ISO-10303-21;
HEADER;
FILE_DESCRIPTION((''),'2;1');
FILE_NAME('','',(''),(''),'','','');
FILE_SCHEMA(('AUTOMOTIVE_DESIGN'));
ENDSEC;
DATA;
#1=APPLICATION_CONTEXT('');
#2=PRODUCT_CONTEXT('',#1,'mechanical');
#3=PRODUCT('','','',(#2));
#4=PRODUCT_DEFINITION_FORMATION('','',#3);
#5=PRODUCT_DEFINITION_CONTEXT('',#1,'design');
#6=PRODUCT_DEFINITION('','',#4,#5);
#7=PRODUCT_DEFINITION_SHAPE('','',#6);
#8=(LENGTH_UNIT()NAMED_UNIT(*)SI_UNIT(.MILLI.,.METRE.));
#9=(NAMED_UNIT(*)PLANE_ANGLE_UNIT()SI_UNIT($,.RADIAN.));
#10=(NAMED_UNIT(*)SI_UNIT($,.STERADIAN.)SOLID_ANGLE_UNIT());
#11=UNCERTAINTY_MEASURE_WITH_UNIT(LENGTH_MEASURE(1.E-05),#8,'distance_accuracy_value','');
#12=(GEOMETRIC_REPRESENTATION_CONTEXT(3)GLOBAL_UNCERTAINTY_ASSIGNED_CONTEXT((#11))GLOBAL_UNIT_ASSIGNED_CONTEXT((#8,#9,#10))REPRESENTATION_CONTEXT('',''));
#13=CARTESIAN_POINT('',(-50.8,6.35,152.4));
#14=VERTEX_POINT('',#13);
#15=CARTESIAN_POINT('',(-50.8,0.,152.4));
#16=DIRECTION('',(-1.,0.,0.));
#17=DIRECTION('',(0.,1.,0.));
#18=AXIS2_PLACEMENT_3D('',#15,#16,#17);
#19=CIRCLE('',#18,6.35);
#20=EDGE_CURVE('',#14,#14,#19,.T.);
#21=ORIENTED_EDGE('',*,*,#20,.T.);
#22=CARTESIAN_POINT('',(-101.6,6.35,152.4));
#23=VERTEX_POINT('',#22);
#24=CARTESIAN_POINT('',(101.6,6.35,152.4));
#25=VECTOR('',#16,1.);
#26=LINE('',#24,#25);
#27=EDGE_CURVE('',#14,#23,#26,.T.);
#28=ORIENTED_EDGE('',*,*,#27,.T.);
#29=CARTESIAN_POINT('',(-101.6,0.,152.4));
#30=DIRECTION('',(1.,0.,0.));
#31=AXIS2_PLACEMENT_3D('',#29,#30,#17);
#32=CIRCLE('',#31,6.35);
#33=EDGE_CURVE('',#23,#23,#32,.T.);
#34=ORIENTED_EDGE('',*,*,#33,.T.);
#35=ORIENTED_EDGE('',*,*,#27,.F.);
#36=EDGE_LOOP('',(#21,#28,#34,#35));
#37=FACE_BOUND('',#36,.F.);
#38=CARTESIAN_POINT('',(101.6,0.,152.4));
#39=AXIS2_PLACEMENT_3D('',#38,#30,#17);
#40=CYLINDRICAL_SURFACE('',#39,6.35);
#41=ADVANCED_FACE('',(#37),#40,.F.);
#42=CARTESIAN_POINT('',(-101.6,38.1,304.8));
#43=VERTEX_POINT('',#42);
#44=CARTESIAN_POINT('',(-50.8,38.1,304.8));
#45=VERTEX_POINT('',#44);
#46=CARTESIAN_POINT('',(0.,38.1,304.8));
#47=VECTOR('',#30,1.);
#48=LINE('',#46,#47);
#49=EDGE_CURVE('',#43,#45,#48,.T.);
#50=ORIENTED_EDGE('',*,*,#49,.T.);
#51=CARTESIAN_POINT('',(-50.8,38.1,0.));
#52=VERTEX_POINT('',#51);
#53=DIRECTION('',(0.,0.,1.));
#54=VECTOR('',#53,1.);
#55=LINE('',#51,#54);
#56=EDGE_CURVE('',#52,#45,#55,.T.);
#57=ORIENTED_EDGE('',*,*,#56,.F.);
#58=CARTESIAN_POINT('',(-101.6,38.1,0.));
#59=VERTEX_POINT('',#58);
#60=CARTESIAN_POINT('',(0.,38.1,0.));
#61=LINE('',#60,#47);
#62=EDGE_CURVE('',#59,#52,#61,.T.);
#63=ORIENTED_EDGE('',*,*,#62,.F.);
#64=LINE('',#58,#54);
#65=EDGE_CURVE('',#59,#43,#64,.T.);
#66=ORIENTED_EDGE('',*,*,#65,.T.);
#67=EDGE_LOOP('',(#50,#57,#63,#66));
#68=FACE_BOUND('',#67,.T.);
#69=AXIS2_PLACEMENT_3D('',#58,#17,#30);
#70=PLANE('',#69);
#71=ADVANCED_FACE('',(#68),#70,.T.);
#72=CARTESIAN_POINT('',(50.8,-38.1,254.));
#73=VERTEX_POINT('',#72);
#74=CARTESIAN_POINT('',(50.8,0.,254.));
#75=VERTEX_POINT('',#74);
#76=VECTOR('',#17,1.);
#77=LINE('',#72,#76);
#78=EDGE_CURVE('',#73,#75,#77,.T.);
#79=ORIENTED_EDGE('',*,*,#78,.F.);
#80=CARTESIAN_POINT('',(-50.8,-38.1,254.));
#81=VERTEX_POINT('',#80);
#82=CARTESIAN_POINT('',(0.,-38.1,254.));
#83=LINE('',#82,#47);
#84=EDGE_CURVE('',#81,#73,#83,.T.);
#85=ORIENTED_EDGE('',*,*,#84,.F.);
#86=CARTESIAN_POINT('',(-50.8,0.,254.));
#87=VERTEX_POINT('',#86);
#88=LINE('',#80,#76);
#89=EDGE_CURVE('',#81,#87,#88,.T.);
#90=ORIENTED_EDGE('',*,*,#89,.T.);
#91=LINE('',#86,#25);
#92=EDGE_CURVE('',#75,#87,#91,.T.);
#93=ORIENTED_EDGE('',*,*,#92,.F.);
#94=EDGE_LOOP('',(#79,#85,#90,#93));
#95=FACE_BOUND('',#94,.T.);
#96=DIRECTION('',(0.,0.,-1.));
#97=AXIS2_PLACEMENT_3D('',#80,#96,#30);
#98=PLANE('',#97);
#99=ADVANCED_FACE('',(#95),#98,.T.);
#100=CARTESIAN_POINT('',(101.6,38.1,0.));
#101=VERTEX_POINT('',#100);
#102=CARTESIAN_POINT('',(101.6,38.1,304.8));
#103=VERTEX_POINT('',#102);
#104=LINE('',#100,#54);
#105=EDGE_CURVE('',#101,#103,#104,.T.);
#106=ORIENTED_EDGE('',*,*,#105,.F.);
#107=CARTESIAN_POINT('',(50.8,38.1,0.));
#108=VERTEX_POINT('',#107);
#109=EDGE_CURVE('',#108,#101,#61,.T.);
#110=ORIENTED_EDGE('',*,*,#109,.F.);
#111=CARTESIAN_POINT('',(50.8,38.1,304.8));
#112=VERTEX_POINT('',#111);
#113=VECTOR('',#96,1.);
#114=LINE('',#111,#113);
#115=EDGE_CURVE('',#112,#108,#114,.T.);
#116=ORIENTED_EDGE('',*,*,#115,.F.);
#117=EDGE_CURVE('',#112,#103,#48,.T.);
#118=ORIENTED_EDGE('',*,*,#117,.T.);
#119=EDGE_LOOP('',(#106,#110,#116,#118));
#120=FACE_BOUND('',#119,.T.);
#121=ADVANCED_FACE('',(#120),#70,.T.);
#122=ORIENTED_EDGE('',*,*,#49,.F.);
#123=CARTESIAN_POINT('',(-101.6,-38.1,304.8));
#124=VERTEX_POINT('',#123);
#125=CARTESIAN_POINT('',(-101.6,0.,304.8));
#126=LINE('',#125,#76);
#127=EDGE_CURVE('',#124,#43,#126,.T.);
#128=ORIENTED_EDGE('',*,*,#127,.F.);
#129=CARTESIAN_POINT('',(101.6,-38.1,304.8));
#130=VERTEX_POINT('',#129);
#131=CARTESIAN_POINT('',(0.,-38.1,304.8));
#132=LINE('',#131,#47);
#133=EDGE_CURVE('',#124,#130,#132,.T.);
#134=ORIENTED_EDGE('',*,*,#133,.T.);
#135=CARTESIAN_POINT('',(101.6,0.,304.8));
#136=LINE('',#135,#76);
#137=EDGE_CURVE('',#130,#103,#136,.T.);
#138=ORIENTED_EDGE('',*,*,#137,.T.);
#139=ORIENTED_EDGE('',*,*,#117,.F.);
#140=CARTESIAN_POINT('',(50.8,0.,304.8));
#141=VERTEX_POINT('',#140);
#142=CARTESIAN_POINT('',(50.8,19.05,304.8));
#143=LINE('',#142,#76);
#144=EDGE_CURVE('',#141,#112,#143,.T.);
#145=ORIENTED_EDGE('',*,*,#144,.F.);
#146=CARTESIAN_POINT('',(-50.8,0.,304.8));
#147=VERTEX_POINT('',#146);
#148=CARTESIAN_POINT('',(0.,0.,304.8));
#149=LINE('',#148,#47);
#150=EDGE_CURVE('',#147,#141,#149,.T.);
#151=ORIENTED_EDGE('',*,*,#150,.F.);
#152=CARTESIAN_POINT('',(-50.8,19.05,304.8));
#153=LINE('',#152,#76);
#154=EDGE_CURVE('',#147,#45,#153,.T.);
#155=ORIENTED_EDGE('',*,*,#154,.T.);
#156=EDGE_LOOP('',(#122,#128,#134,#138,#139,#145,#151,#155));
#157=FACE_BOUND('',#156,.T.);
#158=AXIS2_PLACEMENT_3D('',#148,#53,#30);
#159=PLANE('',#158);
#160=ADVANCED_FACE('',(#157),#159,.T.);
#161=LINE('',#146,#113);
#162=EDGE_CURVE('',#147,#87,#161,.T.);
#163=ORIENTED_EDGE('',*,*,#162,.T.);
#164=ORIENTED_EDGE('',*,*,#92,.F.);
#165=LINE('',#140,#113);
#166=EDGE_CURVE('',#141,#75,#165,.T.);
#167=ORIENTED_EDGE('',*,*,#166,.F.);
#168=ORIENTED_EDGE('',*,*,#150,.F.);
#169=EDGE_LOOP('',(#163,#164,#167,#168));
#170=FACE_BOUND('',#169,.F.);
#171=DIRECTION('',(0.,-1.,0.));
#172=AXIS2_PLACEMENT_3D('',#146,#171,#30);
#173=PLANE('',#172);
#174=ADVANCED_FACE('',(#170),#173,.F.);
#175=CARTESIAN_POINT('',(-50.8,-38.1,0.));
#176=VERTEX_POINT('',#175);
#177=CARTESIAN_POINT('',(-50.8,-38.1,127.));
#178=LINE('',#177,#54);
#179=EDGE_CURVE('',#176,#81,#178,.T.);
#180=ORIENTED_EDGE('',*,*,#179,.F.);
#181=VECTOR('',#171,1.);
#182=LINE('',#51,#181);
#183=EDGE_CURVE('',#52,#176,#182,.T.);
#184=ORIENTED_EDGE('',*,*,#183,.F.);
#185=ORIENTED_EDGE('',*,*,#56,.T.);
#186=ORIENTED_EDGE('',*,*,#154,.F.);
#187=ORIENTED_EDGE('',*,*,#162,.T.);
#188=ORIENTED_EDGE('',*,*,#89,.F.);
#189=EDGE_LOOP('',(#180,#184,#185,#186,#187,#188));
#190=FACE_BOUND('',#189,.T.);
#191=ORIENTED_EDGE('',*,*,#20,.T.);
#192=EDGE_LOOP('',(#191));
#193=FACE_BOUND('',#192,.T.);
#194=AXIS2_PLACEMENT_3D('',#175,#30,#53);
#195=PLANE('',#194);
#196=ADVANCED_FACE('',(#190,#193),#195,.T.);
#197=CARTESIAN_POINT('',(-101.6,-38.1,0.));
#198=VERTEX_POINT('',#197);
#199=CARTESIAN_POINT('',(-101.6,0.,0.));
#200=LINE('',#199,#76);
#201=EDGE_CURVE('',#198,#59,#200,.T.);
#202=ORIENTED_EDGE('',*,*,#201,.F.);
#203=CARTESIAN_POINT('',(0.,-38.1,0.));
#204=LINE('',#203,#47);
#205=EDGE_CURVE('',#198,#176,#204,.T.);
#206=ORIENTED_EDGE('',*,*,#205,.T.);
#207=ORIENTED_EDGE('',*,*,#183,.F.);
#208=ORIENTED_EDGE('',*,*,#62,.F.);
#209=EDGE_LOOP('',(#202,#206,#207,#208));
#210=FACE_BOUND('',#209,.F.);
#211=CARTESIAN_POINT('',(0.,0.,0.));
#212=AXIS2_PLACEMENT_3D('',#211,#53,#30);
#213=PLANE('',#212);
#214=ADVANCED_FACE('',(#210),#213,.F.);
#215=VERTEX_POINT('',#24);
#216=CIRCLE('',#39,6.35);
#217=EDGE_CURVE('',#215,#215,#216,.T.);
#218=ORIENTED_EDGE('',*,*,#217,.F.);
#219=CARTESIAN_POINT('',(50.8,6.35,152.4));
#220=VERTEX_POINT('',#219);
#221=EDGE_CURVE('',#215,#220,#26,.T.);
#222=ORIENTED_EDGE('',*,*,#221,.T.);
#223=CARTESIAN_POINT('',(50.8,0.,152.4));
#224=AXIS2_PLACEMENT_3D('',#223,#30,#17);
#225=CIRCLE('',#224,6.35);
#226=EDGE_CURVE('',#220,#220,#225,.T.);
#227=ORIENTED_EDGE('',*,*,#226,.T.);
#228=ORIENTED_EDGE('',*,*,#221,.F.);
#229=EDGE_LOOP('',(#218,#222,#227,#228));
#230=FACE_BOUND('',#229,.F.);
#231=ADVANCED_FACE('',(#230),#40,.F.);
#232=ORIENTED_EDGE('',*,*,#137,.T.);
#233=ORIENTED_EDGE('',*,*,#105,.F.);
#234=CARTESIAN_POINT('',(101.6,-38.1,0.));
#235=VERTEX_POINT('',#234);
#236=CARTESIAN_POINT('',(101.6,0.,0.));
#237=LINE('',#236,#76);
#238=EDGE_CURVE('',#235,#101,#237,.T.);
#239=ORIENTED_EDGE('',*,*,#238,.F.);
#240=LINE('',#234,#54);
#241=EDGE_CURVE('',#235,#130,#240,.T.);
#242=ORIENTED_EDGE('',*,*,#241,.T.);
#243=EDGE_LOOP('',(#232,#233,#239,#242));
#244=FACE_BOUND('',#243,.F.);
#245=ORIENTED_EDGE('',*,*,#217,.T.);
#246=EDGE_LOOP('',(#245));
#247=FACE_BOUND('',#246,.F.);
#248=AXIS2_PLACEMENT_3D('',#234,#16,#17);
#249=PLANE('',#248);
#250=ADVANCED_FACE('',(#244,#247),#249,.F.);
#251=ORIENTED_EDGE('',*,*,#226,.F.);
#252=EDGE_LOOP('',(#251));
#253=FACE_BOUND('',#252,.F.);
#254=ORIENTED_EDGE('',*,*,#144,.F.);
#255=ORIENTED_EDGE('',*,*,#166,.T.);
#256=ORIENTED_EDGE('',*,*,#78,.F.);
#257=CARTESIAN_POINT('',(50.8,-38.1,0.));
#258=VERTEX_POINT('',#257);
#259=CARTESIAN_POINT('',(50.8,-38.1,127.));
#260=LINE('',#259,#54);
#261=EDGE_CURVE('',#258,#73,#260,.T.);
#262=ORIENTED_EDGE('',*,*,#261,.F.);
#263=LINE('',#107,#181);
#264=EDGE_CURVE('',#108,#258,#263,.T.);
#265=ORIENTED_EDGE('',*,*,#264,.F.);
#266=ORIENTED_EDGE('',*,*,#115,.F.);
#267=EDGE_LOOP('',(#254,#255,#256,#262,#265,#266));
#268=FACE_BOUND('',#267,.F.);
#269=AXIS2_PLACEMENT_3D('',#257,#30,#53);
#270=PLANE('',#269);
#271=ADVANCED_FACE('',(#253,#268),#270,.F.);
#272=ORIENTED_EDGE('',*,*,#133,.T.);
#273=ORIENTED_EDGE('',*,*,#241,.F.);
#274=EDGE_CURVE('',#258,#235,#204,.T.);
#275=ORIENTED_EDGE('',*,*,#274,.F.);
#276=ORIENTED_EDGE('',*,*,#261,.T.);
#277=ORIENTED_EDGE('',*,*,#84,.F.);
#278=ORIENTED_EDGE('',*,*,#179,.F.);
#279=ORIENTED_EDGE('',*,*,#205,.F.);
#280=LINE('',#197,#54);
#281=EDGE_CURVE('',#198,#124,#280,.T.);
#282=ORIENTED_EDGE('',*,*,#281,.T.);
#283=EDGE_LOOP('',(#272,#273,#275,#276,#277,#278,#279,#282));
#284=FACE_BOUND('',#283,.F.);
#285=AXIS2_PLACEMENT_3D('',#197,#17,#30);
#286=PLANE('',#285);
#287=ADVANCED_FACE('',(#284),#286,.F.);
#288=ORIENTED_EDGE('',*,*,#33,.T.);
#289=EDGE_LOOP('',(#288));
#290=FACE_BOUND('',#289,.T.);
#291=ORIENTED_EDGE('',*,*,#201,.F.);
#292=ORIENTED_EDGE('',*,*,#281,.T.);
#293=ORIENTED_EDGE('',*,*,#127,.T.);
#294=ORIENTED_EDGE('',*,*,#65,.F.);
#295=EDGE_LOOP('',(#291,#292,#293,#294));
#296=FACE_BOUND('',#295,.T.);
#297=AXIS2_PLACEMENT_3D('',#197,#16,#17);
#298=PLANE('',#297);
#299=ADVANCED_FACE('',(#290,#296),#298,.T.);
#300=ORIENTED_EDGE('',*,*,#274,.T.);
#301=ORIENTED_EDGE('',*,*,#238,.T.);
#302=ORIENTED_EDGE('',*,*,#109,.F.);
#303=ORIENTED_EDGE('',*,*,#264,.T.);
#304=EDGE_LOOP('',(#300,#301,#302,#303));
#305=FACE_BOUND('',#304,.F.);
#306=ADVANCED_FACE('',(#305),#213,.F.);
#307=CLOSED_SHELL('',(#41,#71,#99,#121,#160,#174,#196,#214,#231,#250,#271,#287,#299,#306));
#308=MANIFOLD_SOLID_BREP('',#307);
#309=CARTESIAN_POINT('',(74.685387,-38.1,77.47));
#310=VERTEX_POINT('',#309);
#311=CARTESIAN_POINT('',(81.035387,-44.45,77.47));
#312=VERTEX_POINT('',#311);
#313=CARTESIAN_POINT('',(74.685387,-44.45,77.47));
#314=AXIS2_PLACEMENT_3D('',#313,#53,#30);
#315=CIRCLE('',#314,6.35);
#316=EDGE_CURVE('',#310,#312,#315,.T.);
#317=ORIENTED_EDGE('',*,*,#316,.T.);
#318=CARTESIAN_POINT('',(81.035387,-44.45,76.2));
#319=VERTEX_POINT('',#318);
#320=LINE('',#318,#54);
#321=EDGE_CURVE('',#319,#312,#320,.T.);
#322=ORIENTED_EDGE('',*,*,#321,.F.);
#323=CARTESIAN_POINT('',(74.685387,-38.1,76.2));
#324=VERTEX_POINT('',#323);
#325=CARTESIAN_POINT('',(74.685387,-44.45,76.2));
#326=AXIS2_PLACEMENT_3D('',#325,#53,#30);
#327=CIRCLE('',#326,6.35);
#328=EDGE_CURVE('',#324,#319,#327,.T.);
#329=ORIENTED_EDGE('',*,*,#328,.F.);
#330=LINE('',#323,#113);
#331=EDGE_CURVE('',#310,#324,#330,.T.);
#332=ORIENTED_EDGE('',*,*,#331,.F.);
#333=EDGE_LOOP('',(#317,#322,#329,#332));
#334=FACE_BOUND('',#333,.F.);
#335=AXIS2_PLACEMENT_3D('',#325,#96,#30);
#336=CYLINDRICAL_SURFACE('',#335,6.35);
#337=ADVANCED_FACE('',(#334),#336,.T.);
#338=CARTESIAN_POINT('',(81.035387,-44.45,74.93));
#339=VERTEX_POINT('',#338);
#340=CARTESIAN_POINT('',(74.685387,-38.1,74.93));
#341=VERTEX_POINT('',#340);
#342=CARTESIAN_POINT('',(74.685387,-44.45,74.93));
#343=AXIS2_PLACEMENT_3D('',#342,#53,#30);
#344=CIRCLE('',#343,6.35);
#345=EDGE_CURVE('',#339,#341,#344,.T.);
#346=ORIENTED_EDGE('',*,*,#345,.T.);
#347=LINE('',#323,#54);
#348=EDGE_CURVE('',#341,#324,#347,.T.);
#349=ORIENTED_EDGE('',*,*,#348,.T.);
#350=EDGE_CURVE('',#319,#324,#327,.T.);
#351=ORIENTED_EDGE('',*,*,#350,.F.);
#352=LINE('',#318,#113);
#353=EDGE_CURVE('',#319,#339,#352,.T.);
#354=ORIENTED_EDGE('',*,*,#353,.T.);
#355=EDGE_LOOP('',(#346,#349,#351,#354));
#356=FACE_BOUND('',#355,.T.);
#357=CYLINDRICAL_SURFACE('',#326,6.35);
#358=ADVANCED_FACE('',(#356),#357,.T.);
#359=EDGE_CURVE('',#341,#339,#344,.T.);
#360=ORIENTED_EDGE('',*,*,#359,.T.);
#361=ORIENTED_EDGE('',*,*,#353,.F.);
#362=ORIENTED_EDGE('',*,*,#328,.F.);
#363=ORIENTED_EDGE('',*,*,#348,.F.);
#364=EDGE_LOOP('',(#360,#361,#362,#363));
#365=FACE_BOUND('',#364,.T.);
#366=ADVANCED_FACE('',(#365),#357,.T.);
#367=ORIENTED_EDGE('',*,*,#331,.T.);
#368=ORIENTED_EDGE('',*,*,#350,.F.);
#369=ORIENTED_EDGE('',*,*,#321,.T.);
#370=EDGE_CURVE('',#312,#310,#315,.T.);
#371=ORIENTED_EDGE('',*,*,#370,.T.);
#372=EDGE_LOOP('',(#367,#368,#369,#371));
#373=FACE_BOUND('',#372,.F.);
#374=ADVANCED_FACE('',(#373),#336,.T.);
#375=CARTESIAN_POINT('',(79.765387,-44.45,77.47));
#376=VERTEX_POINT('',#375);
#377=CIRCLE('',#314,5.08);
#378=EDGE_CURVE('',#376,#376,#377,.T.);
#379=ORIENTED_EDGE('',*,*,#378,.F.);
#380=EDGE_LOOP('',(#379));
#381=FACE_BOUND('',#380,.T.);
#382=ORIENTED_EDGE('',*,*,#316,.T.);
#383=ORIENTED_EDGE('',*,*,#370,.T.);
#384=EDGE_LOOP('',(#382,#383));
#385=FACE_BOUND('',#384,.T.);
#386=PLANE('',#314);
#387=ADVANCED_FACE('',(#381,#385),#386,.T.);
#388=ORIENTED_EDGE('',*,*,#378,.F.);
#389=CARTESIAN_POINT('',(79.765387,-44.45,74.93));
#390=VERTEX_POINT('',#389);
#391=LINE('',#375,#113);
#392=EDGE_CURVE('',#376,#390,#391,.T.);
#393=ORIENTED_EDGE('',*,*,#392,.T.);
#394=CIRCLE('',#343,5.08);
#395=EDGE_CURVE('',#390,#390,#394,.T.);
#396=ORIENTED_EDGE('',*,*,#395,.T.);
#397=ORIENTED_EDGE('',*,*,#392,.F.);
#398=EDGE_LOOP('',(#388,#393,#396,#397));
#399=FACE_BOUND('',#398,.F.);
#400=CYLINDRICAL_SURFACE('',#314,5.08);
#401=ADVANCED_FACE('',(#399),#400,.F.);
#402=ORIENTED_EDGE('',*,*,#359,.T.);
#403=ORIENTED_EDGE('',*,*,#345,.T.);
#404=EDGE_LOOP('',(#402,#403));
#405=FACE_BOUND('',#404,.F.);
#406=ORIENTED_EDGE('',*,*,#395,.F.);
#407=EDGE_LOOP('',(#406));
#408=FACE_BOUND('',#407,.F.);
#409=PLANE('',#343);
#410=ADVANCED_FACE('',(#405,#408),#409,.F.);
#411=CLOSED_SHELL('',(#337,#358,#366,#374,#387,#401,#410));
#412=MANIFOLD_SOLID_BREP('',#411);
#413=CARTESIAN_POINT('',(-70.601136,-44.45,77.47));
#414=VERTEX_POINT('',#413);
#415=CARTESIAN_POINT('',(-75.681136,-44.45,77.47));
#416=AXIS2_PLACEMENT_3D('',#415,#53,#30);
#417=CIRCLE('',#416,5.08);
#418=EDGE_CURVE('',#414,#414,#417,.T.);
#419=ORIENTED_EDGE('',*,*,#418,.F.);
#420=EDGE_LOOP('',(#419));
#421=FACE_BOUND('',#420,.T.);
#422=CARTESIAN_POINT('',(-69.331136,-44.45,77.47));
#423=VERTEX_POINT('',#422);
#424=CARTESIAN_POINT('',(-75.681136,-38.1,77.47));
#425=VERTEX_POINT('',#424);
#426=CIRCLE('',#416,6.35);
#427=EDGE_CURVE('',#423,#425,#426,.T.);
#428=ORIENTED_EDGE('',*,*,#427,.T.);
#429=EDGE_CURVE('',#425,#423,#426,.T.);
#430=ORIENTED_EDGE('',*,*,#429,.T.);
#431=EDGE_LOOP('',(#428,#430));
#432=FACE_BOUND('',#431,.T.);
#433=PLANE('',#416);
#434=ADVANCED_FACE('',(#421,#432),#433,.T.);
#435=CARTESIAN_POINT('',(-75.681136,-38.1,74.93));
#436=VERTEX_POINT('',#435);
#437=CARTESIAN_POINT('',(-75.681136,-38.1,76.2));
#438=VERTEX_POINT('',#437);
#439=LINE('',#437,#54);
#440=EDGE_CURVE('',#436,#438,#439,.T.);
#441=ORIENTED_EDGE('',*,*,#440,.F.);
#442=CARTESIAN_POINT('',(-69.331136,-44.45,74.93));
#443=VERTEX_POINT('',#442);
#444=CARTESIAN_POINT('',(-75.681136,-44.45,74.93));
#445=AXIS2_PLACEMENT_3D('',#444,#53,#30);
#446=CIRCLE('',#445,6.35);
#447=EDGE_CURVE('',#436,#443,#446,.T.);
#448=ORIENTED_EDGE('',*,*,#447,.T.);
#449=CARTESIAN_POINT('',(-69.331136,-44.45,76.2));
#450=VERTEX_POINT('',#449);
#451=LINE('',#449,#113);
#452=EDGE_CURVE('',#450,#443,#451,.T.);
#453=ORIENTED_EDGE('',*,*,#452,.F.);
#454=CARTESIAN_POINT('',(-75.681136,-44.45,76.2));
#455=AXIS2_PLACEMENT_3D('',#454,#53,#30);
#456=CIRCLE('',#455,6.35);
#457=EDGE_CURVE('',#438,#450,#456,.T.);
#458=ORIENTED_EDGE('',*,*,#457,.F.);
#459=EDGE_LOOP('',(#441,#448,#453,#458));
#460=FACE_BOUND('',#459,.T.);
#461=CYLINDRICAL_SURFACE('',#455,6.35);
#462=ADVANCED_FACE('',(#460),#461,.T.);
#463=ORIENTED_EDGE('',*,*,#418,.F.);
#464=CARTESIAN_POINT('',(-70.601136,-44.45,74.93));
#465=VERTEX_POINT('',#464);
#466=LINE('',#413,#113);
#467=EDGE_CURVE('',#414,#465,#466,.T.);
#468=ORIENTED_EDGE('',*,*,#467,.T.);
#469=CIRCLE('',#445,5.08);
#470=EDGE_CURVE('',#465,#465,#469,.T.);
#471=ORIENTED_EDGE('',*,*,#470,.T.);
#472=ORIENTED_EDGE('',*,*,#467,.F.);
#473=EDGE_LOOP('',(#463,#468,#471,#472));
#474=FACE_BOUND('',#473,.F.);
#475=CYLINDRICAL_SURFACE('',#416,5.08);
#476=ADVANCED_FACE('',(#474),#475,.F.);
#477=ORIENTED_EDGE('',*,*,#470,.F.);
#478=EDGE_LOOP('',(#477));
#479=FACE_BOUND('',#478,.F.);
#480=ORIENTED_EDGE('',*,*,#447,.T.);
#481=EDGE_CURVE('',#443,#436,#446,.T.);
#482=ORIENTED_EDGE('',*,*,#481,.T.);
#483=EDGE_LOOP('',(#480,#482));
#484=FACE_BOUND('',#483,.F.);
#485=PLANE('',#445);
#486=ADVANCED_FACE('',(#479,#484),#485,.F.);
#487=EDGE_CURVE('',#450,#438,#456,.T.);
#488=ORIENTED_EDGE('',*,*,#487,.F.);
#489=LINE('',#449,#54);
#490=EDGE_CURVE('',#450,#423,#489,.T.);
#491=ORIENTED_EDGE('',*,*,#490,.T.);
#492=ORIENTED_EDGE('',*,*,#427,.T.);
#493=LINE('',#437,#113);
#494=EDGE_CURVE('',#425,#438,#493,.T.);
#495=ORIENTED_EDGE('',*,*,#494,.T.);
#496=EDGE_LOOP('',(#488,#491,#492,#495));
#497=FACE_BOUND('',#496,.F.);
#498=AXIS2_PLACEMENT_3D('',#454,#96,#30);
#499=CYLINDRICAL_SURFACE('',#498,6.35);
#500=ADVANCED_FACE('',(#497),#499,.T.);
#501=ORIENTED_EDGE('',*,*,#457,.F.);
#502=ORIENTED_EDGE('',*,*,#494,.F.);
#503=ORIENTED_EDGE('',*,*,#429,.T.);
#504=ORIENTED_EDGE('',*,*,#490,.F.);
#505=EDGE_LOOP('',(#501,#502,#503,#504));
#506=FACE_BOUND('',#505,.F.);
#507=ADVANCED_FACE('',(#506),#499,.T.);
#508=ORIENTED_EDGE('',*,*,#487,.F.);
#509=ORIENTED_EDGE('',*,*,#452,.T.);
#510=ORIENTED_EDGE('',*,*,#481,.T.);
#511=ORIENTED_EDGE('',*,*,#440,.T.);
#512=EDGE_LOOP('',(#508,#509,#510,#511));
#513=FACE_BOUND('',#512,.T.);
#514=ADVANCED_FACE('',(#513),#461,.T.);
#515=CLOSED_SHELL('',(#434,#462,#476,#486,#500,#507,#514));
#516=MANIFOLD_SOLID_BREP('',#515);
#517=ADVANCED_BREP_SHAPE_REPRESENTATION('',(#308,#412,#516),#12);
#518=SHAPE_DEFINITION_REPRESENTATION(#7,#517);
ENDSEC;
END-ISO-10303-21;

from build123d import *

# Parameters (mm, degrees)
F0_W          = 203.2
F0_H          = 76.2
F1_DEPTH      = 304.8
F2_W          = 101.6
F2_H          = 254
F3_DEPTH      = 76.201
F4_R          = 6.35
F5_DEPTH      = 203.201
F7_R          = 6.35
F8_DEPTH      = 1.27
F8_DEPTH_BACK = 1.27
F9_R          = 5.08
F10_DEPTH     = 77.471
F11_W         = 101.6
F11_H         = 38.1
F12_DEPTH     = 304.801


with BuildPart() as f1:
    # F0 (on Top) → F1 (new body)
    with BuildSketch(Plane.XY):
        Rectangle(F0_W, F0_H)
    extrude(amount=F1_DEPTH)

    # F2 (on face) → F3 (cut, through all)
    with BuildSketch(Plane.XZ.offset(38.1)):
        with Locations((0, 127)):
            Rectangle(F2_W, F2_H)
    extrude(amount=-F3_DEPTH, mode=Mode.SUBTRACT)

    # F4 (on face) → F5 (cut, through all)
    with BuildSketch(Plane.YZ.offset(101.6)):
        with Locations((0, 152.4)):
            Circle(F4_R)
    extrude(amount=-F5_DEPTH, mode=Mode.SUBTRACT)

    # F7 (on offset) → F8 (join, two sides)
    with BuildSketch(Plane.XY.offset(76.2)) as f8_sk:
        with Locations((74.685387, -44.45)):
            Circle(F7_R)
        with Locations((-75.681136, -44.45)):
            Circle(F7_R)
    extrude(amount=F8_DEPTH)
    extrude(f8_sk.sketch, amount=-F8_DEPTH_BACK)

    # F9 (on face) → F10 (cut, through all)
    with BuildSketch(Plane.XY.offset(77.47)):
        with Locations((74.685387, -44.45)):
            Circle(F9_R)
        with Locations((-75.681136, -44.45)):
            Circle(F9_R)
    extrude(amount=-F10_DEPTH, mode=Mode.SUBTRACT)

    # F11 (on face) → F12 (cut, through all)
    with BuildSketch(Plane.XY.offset(304.8)):
        with Locations((0, 19.05)):
            Rectangle(F11_W, F11_H)
    extrude(amount=-F12_DEPTH, mode=Mode.SUBTRACT)


solid = f1.part
